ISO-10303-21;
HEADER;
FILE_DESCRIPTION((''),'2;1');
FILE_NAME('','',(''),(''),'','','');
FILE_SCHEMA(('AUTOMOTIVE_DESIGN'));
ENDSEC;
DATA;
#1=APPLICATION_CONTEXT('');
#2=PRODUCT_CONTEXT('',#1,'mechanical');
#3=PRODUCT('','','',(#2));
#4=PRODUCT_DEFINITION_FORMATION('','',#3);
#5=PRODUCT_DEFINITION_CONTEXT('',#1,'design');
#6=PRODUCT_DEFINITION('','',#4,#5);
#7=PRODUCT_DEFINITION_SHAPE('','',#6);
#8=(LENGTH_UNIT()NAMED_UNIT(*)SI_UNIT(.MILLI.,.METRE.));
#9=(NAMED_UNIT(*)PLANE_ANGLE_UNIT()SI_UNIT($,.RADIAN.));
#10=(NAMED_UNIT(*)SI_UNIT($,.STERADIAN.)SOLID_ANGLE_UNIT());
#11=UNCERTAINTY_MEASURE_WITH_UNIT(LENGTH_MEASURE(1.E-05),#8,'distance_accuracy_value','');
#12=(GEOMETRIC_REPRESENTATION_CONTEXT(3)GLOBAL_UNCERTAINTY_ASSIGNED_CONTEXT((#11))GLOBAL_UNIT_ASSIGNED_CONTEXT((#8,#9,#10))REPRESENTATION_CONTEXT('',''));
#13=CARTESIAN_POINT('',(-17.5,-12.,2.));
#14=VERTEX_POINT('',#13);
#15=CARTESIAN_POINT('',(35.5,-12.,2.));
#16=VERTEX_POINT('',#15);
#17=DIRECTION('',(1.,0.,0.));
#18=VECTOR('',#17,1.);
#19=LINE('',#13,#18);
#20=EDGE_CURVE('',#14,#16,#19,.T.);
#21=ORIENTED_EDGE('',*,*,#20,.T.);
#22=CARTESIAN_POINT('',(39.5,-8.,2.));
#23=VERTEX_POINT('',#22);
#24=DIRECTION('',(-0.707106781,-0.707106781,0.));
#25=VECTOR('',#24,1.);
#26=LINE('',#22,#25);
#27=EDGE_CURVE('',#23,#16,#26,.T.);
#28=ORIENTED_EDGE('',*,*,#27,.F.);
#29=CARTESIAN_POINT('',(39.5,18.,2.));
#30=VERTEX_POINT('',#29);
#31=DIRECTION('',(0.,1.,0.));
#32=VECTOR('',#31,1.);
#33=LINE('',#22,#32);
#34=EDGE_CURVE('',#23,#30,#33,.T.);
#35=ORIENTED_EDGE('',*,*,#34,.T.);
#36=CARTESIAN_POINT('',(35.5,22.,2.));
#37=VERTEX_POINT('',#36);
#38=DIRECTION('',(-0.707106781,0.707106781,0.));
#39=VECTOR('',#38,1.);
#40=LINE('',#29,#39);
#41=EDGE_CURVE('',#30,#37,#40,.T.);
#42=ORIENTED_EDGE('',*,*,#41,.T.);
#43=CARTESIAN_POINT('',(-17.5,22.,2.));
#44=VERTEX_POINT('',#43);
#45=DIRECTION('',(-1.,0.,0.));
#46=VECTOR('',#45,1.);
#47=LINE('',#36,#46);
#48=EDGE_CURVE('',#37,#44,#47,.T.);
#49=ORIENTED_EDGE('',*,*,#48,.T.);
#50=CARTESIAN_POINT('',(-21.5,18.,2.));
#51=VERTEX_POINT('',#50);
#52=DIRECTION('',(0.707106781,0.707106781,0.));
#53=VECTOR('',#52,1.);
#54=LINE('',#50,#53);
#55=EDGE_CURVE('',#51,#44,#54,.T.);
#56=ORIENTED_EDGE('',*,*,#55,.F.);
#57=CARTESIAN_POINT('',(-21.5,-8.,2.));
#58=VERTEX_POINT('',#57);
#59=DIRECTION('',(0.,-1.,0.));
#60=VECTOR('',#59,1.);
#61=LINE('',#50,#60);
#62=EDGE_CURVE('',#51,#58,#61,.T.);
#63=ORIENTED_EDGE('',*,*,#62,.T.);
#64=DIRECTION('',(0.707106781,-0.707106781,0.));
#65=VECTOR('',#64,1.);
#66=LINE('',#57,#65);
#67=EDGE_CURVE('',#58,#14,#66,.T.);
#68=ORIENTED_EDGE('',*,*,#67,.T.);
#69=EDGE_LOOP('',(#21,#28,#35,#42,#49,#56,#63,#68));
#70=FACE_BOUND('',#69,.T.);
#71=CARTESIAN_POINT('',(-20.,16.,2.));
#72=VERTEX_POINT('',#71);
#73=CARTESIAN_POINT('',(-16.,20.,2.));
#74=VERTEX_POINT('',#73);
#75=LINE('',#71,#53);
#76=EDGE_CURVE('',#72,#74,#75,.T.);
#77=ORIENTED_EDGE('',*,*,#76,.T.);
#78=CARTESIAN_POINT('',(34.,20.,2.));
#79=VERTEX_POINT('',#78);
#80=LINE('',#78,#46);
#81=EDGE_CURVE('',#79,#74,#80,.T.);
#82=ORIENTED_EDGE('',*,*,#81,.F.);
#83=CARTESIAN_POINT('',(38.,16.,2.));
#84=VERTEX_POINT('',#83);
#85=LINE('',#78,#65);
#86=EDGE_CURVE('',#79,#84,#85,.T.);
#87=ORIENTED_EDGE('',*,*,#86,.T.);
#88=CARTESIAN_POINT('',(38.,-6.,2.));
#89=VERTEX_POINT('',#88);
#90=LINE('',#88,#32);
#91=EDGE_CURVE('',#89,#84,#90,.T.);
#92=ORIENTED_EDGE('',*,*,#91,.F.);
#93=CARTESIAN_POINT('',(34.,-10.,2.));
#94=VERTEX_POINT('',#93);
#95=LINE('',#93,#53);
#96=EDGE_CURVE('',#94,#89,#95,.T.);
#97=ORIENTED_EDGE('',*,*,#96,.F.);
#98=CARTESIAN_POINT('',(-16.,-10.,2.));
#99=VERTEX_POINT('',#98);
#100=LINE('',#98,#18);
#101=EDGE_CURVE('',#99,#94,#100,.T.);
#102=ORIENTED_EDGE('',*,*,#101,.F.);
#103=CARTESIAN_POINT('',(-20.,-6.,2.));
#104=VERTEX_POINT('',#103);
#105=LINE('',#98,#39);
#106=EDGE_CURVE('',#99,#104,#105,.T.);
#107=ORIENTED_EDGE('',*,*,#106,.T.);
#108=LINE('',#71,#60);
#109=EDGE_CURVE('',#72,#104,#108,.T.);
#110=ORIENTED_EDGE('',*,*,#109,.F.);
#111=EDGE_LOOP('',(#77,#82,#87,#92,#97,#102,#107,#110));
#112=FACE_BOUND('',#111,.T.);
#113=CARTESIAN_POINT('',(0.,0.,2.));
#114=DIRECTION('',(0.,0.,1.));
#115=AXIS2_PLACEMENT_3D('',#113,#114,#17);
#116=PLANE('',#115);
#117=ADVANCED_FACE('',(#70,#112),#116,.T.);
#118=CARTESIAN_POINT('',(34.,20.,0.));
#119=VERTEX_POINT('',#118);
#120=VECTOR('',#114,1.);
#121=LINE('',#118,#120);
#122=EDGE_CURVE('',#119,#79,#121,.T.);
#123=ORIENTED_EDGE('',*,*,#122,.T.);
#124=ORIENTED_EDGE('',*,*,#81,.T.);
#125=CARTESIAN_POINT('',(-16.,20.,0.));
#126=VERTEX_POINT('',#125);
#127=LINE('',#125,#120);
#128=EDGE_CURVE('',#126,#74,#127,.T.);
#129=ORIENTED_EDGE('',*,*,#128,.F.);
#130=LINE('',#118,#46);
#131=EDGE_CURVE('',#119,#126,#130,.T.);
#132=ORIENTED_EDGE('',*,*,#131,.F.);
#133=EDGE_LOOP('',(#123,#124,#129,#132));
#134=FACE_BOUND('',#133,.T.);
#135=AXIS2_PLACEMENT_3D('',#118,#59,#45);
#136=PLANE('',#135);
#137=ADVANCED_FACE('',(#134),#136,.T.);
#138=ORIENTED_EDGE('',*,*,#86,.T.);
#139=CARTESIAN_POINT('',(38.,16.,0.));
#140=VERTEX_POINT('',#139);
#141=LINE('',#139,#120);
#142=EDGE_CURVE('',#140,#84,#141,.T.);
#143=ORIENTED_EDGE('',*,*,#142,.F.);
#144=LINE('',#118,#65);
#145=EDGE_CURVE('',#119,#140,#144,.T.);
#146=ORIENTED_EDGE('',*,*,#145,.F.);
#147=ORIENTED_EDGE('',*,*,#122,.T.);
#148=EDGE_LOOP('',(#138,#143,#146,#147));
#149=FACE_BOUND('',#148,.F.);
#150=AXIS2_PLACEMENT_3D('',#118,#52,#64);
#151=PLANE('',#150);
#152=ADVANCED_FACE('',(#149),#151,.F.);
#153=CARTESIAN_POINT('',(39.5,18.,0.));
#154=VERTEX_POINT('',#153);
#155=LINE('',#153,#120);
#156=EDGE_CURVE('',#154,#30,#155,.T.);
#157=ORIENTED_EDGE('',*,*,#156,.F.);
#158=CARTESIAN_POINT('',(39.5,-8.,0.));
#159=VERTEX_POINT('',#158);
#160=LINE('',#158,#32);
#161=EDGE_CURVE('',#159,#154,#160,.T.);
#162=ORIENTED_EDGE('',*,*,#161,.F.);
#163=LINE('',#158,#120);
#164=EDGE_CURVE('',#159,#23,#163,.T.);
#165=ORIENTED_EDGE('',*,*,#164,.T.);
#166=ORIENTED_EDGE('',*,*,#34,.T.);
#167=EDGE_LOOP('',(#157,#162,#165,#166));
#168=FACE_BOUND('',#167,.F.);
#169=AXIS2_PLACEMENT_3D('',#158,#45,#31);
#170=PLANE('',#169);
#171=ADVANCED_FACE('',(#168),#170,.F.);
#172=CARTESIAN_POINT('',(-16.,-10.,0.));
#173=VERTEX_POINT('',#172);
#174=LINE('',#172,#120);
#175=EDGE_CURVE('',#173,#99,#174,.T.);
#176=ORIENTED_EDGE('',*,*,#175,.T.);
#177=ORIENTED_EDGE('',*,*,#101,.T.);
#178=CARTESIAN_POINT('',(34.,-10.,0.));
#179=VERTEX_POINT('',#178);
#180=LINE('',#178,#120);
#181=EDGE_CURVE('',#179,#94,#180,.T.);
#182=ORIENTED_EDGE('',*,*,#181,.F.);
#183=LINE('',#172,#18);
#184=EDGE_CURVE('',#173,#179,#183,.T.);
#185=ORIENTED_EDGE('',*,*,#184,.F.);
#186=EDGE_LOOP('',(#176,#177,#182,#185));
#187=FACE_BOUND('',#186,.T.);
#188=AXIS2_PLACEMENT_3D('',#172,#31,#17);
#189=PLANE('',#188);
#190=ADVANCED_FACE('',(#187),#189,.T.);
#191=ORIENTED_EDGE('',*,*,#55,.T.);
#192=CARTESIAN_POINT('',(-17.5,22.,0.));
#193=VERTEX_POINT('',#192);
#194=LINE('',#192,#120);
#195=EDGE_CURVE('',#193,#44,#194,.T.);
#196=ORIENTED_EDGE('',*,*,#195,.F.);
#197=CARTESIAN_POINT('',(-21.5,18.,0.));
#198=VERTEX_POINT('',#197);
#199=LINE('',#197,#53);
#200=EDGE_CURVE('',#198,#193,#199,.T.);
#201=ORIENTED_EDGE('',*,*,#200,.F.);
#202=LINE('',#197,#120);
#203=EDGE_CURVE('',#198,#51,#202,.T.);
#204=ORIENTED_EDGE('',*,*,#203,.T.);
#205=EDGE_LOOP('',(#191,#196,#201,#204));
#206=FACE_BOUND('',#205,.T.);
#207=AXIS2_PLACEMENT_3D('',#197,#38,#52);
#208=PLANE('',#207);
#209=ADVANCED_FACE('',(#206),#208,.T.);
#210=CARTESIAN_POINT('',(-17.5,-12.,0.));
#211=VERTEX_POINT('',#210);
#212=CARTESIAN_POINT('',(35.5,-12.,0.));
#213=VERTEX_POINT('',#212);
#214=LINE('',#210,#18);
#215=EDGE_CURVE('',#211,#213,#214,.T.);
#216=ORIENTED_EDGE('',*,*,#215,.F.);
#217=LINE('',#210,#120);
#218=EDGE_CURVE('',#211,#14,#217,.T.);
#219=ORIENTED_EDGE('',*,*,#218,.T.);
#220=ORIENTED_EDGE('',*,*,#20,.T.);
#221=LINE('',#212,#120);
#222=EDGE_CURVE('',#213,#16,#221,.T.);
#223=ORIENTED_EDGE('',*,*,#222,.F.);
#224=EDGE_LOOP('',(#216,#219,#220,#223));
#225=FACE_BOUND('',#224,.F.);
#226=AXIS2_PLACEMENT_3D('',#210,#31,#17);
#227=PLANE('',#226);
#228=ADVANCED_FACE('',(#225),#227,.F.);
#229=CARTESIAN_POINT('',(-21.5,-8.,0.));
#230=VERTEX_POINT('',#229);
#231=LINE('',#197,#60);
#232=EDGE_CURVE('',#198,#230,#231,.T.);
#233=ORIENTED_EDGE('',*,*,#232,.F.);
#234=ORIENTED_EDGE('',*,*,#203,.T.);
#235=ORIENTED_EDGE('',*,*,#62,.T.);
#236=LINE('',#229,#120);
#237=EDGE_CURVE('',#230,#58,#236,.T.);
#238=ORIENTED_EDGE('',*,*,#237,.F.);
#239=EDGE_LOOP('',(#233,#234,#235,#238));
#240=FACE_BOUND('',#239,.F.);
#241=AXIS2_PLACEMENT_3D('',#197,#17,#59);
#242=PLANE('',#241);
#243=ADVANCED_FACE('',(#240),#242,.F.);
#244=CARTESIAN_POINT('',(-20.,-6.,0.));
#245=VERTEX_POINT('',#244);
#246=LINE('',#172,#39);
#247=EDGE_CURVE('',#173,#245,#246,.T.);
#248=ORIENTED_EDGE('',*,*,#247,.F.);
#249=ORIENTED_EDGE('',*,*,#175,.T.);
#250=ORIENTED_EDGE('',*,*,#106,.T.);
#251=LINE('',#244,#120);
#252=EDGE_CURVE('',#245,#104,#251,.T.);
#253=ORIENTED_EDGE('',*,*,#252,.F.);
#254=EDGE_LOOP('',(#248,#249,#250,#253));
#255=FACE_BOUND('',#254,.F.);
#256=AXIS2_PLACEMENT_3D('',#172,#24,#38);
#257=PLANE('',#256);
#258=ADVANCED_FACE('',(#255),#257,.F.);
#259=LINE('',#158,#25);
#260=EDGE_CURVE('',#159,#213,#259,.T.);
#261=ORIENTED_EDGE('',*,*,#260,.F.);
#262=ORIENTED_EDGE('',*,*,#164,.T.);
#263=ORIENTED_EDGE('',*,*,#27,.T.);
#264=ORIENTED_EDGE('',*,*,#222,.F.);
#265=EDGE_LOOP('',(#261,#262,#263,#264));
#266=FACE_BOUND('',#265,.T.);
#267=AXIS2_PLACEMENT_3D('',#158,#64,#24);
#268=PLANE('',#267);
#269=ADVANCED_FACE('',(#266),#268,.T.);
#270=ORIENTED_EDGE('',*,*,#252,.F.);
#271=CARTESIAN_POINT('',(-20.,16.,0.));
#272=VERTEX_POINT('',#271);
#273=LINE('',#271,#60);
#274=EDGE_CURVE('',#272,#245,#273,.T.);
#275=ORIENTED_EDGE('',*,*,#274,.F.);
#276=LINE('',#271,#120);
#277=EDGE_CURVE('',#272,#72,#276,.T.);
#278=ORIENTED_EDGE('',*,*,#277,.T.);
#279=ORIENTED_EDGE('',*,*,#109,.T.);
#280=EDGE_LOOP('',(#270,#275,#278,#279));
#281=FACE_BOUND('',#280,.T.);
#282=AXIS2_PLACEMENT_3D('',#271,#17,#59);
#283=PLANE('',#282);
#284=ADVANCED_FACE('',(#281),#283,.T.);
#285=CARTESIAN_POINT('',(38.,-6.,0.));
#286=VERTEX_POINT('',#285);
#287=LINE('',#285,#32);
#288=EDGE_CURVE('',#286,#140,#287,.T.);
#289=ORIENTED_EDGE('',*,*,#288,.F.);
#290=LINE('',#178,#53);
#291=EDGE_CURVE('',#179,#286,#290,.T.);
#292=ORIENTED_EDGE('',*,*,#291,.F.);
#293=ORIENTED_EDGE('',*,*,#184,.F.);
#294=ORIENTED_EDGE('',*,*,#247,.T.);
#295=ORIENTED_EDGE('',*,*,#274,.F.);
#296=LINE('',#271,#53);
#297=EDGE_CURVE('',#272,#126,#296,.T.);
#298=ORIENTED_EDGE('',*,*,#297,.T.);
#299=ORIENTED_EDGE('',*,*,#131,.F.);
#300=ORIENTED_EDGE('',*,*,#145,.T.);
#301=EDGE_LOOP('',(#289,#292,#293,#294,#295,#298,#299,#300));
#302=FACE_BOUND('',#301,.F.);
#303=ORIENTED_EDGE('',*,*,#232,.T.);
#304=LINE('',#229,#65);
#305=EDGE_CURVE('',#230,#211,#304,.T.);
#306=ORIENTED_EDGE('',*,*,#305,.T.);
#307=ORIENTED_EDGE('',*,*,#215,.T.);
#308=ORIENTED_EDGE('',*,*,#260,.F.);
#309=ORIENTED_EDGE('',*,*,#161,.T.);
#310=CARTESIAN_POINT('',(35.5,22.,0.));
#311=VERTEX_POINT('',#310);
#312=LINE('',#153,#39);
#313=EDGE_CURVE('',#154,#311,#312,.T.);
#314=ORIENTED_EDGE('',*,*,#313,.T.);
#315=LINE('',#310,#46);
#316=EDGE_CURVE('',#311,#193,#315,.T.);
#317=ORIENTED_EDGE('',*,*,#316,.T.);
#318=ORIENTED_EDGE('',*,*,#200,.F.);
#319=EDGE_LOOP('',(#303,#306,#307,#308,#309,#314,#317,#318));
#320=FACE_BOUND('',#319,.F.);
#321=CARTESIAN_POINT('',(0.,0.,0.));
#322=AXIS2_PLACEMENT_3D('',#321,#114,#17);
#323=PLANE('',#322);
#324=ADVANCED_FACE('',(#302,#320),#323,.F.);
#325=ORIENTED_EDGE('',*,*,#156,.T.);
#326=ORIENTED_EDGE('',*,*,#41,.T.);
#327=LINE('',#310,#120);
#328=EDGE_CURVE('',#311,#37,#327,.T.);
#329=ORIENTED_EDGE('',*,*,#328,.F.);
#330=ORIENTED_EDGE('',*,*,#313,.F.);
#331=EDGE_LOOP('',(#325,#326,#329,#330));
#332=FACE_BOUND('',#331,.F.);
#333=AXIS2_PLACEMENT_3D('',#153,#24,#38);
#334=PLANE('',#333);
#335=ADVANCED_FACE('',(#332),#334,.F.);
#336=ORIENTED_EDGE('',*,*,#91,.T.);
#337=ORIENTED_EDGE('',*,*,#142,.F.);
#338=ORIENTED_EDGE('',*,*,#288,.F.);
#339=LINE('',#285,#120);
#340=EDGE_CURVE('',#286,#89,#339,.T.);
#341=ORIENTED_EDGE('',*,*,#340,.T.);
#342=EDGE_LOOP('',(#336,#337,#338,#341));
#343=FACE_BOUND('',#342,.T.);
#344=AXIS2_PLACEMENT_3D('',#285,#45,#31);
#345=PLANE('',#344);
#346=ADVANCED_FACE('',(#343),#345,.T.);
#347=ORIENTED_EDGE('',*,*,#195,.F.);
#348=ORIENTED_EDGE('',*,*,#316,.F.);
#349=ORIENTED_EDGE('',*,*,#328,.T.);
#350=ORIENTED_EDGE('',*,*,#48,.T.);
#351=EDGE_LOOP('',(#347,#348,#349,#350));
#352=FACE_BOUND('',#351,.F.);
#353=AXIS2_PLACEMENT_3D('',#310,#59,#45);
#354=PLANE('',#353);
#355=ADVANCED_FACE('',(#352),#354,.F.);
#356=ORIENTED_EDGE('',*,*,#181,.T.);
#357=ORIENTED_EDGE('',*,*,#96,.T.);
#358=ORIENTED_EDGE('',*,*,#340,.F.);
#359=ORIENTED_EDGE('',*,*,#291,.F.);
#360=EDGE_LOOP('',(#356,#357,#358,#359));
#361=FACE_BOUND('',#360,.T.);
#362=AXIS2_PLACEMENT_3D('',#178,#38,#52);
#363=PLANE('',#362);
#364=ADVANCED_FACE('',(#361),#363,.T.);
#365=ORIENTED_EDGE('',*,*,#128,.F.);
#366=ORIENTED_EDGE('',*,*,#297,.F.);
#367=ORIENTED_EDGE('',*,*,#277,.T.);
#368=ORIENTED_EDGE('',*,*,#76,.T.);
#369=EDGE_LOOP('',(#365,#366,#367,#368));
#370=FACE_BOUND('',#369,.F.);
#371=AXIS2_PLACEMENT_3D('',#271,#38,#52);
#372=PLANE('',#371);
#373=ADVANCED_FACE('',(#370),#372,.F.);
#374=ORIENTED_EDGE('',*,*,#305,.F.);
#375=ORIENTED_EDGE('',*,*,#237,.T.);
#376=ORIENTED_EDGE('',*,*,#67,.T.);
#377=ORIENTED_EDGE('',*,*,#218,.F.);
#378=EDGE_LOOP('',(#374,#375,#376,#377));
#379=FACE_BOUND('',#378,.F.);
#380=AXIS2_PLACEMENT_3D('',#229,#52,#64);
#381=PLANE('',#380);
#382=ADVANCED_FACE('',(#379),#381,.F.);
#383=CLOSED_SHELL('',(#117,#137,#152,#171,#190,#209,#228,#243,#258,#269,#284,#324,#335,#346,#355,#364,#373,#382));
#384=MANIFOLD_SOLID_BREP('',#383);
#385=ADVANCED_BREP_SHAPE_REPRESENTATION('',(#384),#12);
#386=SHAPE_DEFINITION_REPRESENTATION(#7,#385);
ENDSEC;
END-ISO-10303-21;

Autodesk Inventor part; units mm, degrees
ref_plane "YZ Plane" through (0, 0, 0) normal (1, 0, 0) x (0, 1, 0)
ref_plane "XZ Plane" through (0, 0, 0) normal (0, 1, 0) x (-1, 0, 0)
ref_plane "XY Plane" through (0, 0, 0) normal (0, 0, 1) x (1, 0, 0)
sketch "Эскиз1" plane through (0, 0, 0) normal (0, 0, 1) x (1, 0, 0)
  line L0 (-16, -10) -> (34, -10)
  line L1 (38, -6) -> (38, 16)
  line L2 (34, 20) -> (-16, 20)
  line L3 (-20, 16) -> (-20, -6)
  line L4 (-20, 16) -> (-16, 20)
  line L5 (-16, -10) -> (-20, -6)
  line L6 (34, 20) -> (38, 16)
  line L7 (34, -10) -> (38, -6)
  line L8 (-18, -13.8) -> (-18, 33.1) construction
  line L9 (36, -15.5) -> (36, 27.4) construction
  line L10 (-22.5, 15) -> (39.4, 15) construction
  line L11 (-26.6, 10) -> (40.2, 10) construction
  line L12 (-27.2, 5) -> (41.5, 5) construction
  line L13 (-27.8, 0) -> (41.6, 0) construction
  line L14 (-27.6, -5) -> (40.5, -5) construction
  line L15 (-17.5, -12) -> (35.5, -12)
  line L16 (39.5, -8) -> (39.5, 18)
  line L17 (35.5, 22) -> (-17.5, 22)
  line L18 (-21.5, 18) -> (-21.5, -8)
  line L19 (-21.5, 18) -> (-17.5, 22)
  line L20 (39.5, -8) -> (35.5, -12)
  line L21 (39.5, 18) -> (35.5, 22)
  line L22 (39.5, -8) -> (35.5, -12)
  line L23 (-21.5, -8) -> (-17.5, -12)
  point P0 (-20, -10)
  point P1 (38, 20)
  point P2 (38, -10)
  point P3 (-20, 20)
  point P4 (-18, 15)
  point P5 (-18, 10)
  point P6 (-18, 5)
  point P7 (36, 15)
  point P8 (36, 10)
  point P9 (36, 5)
  point P10 (36, 0)
  point P11 (36, -5)
  point P12 (-21.5, -12)
  point P13 (39.5, 22)
  point P14 (39.5, -12)
  point P15 (-21.5, 22)
  point P16 (39.5, -12)
  dimension "d0" = 58
  dimension "d1" = 30
  dimension "d2" = 4
  dimension "d3" = 4
  dimension "d4" = 4
  dimension "d5" = 4
  dimension "d6" = 4
  dimension "d7" = 4
  dimension "d8" = 4
  dimension "d9" = 4
  dimension "d12" = 2
  dimension "d13" = 2
  dimension "d14" = 5
  dimension "d15" = 5
  dimension "d16" = 5
  dimension "d17" = 5
  dimension "d18" = 5
  dimension "d42" = 2
  dimension "d43" = 2
  dimension "d44" = 1.5
  dimension "d45" = 1.5
  dimension "d46" = 4
  dimension "d47" = 4
  dimension "d48" = 4
  dimension "d49" = 4
  dimension "d50" = 4
  dimension "d51" = 4
  dimension "d52" = 4
  dimension "d53" = 4
  dimension "d54" = 4
  dimension "d55" = 4
extrude "Выдавливание2" add sketch "Эскиз1" along normal blind 2
equation "\"d3\" = d2"
equation "\"d4\" = d2"
equation "\"d5\" = d4"
equation "\"d6\" = d2"
equation "\"d7\" = d6"
equation "\"d8\" = d2"
equation "\"d9\" = d8"
equation "\"d47\" = d46"
equation "\"d49\" = d48"
equation "\"d51\" = d50"
equation "\"d53\" = d52"
equation "\"d54\" = d52"
equation "\"d55\" = d54"
equation "\"Радиус_гибки\" = Толщина"
equation "\"Ширина_просечки\" = Толщина"
equation "\"Глубина_просечки\" = 0.5 * Толщина"
equation "\"Размер_высечки\" = 4 * Толщина"
equation "\"Мин_остаток\" = 2 * Толщина"
equation "\"Радиус_перехода\" = Радиус_гибки"
equation "\"Радиус_Якоби\" = Радиус_гибки"
equation "\"Размер_зазора\" = Толщина"
equation "\"Толщина\" = 0.5"
properties part number "клей" material "По умолчанию"
